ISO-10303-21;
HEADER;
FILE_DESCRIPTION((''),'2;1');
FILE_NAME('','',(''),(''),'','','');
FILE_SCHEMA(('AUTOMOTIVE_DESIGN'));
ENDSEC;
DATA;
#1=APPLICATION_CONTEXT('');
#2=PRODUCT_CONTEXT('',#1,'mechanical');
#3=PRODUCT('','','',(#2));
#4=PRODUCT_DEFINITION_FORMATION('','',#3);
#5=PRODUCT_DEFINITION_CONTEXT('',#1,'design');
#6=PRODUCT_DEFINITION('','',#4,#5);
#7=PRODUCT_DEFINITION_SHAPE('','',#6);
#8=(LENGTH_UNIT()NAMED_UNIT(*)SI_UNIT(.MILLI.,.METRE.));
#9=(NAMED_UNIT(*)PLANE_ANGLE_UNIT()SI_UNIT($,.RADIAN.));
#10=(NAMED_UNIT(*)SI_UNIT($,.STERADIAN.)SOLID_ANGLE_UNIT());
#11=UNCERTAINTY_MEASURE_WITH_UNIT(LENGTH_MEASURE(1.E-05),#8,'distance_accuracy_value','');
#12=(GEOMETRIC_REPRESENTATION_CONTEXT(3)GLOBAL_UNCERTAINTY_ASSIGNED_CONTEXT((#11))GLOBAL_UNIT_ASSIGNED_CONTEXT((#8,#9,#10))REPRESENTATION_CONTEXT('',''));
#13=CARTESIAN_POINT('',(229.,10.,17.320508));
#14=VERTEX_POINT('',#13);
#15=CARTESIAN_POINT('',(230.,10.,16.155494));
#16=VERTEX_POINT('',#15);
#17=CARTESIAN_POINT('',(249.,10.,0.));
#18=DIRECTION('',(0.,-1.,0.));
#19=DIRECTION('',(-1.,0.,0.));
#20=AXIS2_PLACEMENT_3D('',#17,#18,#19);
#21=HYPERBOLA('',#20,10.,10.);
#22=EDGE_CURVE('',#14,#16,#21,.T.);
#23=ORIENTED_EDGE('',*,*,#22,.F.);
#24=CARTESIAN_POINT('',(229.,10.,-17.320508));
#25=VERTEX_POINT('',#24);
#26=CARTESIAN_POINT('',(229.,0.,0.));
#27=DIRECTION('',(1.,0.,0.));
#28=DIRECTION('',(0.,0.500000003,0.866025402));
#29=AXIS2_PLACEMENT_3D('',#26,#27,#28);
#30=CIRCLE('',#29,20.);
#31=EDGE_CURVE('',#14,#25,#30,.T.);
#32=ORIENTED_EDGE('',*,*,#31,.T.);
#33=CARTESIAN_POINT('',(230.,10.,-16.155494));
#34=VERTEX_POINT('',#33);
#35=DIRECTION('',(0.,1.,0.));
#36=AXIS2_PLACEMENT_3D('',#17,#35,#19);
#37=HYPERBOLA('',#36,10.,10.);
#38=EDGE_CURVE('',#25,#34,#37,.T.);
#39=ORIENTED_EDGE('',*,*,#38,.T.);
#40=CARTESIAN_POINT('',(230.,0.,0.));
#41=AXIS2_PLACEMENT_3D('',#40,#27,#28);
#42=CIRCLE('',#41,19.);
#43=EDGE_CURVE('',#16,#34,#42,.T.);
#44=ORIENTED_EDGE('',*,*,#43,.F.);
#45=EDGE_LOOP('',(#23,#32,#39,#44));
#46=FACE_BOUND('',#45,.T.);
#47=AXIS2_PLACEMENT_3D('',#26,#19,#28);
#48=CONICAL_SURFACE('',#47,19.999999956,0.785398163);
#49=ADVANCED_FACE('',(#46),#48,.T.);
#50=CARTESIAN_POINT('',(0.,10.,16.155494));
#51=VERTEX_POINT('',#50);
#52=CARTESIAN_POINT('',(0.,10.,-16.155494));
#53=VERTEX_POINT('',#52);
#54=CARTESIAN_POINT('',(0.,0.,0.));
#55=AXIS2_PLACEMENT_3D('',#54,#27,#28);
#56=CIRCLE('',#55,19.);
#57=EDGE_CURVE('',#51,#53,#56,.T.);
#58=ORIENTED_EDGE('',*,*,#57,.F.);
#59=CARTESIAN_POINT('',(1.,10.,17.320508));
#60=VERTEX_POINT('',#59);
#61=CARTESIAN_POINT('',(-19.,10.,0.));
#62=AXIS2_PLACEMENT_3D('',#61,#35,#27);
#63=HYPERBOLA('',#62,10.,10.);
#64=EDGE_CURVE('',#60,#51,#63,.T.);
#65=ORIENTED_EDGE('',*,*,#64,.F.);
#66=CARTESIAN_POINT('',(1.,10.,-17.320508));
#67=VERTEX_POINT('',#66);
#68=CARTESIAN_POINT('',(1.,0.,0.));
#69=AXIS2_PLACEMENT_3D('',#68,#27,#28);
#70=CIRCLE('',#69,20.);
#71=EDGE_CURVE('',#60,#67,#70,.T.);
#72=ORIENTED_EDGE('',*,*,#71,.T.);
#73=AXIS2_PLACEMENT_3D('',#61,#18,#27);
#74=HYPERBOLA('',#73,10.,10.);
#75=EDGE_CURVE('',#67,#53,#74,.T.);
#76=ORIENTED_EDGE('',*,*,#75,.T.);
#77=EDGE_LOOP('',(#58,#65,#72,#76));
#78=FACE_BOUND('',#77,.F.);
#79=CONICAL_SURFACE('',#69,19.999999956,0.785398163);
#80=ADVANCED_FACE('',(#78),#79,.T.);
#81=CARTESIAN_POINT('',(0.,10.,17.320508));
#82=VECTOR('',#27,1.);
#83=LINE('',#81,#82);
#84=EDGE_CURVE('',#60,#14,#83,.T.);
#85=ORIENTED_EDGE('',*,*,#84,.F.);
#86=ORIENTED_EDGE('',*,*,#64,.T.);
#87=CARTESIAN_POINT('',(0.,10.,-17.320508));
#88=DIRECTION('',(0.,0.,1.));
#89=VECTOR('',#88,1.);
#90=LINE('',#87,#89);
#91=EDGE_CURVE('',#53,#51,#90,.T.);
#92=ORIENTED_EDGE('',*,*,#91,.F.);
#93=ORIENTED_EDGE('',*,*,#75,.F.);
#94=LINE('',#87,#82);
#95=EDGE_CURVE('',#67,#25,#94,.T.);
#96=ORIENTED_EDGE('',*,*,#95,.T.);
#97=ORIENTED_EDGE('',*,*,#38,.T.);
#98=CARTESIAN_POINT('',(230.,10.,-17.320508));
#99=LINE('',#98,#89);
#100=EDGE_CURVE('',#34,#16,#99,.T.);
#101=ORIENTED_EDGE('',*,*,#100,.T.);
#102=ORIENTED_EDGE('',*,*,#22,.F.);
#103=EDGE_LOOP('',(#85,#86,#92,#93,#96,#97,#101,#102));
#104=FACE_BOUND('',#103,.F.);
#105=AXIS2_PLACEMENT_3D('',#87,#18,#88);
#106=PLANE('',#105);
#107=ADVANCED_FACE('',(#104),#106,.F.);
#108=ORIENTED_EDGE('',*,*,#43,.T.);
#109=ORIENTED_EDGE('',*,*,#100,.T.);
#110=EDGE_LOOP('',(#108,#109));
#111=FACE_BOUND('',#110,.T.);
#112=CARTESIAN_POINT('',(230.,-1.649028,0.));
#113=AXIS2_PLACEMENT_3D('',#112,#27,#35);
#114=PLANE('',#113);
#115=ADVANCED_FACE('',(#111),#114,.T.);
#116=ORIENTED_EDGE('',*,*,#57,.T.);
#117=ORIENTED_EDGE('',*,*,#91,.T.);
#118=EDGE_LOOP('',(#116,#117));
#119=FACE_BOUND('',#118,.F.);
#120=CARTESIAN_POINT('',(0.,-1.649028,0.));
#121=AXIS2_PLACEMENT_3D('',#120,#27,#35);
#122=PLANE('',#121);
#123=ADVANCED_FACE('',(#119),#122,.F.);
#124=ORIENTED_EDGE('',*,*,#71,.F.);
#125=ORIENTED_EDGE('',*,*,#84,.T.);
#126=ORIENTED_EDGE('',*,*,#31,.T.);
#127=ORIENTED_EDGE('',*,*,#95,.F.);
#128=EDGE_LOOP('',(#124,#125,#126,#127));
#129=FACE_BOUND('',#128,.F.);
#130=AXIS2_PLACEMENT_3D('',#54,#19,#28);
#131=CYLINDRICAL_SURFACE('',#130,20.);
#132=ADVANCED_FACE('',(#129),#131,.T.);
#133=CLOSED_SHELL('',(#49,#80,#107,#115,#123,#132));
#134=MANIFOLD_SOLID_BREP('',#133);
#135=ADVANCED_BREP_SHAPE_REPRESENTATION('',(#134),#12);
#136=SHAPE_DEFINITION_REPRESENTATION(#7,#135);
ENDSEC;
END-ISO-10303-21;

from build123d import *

# Parameters (mm, degrees)
F1_DEPTH = 230
F2_SIZE  = 1


with BuildPart() as f1:
    # F0 (on Right) → F1 (new body)
    with BuildSketch(Plane.YZ):
        with BuildLine():
            Line((10, -17.320508), (10, 17.320508))
            ThreePointArc((10, 17.320508), (-20, 0), (10, -17.320508))
        make_face()
    extrude(amount=F1_DEPTH)

    # F2
    f2_edges = [f1.edges().sort_by_distance(p)[0] for p in [
        (0, -20, 0),
        (230, -20, 0),
    ]]
    chamfer(f2_edges, length=F2_SIZE)


solid = f1.part
